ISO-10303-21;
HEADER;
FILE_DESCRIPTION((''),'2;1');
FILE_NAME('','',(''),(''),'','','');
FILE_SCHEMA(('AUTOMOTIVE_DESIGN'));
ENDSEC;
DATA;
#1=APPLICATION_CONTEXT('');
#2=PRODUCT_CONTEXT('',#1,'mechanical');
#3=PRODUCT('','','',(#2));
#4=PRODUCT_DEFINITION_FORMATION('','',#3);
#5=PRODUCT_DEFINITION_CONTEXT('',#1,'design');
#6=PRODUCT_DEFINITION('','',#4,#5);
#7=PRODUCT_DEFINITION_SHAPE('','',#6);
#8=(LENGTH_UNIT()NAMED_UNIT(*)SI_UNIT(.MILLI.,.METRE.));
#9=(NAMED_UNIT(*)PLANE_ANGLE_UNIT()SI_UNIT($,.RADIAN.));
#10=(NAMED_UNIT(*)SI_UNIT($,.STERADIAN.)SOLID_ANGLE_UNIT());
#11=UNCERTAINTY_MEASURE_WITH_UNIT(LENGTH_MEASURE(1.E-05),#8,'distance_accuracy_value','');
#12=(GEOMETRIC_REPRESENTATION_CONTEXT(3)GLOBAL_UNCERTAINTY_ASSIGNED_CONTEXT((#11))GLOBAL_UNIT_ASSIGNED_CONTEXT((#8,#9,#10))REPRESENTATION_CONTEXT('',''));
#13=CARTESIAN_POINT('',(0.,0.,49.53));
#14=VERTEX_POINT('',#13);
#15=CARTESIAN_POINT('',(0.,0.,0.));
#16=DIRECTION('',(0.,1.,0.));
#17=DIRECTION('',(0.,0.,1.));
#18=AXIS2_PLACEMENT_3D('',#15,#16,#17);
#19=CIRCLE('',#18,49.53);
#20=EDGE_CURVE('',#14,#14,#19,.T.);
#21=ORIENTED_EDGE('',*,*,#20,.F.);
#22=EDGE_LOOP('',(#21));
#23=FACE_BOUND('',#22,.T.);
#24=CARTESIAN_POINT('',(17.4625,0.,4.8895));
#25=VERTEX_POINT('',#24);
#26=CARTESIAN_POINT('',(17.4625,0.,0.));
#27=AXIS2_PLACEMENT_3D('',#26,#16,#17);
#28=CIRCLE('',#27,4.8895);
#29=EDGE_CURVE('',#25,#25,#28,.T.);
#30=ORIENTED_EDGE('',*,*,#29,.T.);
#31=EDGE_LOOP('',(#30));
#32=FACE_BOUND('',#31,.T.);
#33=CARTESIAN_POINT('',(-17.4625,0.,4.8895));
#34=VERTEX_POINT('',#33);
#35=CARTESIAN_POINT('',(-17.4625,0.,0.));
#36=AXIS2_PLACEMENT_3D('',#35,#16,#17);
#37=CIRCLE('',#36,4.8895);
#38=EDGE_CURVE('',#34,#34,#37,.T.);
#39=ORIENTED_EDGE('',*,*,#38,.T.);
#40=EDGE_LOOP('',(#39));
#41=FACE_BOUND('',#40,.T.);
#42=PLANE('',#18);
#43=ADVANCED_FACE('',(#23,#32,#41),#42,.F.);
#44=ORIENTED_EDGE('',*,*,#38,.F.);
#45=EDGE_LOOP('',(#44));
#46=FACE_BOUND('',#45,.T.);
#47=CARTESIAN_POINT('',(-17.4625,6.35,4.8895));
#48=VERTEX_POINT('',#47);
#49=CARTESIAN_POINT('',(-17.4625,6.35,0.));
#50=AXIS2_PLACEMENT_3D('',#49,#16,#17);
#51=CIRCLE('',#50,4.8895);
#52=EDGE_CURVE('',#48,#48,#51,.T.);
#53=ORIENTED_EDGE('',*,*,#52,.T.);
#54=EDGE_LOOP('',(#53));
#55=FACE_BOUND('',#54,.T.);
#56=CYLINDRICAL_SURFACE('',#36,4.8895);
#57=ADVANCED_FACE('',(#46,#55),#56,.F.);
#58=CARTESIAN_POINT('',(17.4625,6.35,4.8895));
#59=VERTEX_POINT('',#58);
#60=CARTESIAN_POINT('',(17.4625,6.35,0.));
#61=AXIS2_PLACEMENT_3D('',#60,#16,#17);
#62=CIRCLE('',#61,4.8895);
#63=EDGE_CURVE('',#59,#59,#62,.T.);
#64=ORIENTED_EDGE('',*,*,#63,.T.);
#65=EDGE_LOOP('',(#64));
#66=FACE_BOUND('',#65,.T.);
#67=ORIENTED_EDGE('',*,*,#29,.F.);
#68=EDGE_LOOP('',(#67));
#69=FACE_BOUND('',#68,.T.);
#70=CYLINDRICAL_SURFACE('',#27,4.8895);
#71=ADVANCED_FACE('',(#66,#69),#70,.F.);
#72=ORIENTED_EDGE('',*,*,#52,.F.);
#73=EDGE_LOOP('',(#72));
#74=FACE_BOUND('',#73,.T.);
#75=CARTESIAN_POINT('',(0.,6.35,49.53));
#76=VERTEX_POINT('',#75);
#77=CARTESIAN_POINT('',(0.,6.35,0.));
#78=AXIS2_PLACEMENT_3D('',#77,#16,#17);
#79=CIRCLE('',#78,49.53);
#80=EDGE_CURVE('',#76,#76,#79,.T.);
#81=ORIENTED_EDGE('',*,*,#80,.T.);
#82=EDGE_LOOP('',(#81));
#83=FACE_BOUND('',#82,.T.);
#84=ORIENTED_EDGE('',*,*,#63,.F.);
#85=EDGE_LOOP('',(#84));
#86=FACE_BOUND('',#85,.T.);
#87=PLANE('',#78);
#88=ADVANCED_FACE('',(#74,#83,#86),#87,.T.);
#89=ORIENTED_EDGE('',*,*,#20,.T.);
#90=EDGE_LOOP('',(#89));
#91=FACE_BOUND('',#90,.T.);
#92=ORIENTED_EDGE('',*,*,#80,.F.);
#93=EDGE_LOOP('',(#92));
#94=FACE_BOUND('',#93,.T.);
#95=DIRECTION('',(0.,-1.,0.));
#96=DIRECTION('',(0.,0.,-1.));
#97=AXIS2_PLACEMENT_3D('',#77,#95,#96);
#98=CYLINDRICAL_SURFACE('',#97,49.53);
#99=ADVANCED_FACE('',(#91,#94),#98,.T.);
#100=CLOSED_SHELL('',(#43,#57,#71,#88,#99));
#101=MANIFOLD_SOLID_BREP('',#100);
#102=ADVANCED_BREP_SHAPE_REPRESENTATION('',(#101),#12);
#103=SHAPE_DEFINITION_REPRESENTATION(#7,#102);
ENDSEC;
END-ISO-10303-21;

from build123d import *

# Parameters (mm, degrees)
SKETCH1_R           = 49.53
BOSS_EXTRUDE1_DEPTH = 6.35
SKETCH2_R           = 4.8895
CUT_EXTRUDE1_DEPTH  = 71.33323752


with BuildPart() as part:
    # Sketch1 → Boss-Extrude1 (new body)
    with BuildSketch(Plane(origin=(0, 0, 0), x_dir=(1, 0, 0), z_dir=(0, 1, 0))):
        with Locations(Location((0, 0, 0), (0, 0, 270))):
            Circle(SKETCH1_R)
    extrude(amount=BOSS_EXTRUDE1_DEPTH)

    # Sketch2 → Cut-Extrude1 (cut, through all)
    with BuildSketch(Plane(origin=(0, 6.35, 0), x_dir=(1, 0, 0), z_dir=(0, 1, 0))):
        with Locations(Location((-17.4625, 0, 0), (0, 0, 270))):
            Circle(SKETCH2_R)
        with Locations(Location((17.4625, 0, 0), (0, 0, 270))):
            Circle(SKETCH2_R)
    extrude(amount=-CUT_EXTRUDE1_DEPTH, mode=Mode.SUBTRACT)


solid = part.part
